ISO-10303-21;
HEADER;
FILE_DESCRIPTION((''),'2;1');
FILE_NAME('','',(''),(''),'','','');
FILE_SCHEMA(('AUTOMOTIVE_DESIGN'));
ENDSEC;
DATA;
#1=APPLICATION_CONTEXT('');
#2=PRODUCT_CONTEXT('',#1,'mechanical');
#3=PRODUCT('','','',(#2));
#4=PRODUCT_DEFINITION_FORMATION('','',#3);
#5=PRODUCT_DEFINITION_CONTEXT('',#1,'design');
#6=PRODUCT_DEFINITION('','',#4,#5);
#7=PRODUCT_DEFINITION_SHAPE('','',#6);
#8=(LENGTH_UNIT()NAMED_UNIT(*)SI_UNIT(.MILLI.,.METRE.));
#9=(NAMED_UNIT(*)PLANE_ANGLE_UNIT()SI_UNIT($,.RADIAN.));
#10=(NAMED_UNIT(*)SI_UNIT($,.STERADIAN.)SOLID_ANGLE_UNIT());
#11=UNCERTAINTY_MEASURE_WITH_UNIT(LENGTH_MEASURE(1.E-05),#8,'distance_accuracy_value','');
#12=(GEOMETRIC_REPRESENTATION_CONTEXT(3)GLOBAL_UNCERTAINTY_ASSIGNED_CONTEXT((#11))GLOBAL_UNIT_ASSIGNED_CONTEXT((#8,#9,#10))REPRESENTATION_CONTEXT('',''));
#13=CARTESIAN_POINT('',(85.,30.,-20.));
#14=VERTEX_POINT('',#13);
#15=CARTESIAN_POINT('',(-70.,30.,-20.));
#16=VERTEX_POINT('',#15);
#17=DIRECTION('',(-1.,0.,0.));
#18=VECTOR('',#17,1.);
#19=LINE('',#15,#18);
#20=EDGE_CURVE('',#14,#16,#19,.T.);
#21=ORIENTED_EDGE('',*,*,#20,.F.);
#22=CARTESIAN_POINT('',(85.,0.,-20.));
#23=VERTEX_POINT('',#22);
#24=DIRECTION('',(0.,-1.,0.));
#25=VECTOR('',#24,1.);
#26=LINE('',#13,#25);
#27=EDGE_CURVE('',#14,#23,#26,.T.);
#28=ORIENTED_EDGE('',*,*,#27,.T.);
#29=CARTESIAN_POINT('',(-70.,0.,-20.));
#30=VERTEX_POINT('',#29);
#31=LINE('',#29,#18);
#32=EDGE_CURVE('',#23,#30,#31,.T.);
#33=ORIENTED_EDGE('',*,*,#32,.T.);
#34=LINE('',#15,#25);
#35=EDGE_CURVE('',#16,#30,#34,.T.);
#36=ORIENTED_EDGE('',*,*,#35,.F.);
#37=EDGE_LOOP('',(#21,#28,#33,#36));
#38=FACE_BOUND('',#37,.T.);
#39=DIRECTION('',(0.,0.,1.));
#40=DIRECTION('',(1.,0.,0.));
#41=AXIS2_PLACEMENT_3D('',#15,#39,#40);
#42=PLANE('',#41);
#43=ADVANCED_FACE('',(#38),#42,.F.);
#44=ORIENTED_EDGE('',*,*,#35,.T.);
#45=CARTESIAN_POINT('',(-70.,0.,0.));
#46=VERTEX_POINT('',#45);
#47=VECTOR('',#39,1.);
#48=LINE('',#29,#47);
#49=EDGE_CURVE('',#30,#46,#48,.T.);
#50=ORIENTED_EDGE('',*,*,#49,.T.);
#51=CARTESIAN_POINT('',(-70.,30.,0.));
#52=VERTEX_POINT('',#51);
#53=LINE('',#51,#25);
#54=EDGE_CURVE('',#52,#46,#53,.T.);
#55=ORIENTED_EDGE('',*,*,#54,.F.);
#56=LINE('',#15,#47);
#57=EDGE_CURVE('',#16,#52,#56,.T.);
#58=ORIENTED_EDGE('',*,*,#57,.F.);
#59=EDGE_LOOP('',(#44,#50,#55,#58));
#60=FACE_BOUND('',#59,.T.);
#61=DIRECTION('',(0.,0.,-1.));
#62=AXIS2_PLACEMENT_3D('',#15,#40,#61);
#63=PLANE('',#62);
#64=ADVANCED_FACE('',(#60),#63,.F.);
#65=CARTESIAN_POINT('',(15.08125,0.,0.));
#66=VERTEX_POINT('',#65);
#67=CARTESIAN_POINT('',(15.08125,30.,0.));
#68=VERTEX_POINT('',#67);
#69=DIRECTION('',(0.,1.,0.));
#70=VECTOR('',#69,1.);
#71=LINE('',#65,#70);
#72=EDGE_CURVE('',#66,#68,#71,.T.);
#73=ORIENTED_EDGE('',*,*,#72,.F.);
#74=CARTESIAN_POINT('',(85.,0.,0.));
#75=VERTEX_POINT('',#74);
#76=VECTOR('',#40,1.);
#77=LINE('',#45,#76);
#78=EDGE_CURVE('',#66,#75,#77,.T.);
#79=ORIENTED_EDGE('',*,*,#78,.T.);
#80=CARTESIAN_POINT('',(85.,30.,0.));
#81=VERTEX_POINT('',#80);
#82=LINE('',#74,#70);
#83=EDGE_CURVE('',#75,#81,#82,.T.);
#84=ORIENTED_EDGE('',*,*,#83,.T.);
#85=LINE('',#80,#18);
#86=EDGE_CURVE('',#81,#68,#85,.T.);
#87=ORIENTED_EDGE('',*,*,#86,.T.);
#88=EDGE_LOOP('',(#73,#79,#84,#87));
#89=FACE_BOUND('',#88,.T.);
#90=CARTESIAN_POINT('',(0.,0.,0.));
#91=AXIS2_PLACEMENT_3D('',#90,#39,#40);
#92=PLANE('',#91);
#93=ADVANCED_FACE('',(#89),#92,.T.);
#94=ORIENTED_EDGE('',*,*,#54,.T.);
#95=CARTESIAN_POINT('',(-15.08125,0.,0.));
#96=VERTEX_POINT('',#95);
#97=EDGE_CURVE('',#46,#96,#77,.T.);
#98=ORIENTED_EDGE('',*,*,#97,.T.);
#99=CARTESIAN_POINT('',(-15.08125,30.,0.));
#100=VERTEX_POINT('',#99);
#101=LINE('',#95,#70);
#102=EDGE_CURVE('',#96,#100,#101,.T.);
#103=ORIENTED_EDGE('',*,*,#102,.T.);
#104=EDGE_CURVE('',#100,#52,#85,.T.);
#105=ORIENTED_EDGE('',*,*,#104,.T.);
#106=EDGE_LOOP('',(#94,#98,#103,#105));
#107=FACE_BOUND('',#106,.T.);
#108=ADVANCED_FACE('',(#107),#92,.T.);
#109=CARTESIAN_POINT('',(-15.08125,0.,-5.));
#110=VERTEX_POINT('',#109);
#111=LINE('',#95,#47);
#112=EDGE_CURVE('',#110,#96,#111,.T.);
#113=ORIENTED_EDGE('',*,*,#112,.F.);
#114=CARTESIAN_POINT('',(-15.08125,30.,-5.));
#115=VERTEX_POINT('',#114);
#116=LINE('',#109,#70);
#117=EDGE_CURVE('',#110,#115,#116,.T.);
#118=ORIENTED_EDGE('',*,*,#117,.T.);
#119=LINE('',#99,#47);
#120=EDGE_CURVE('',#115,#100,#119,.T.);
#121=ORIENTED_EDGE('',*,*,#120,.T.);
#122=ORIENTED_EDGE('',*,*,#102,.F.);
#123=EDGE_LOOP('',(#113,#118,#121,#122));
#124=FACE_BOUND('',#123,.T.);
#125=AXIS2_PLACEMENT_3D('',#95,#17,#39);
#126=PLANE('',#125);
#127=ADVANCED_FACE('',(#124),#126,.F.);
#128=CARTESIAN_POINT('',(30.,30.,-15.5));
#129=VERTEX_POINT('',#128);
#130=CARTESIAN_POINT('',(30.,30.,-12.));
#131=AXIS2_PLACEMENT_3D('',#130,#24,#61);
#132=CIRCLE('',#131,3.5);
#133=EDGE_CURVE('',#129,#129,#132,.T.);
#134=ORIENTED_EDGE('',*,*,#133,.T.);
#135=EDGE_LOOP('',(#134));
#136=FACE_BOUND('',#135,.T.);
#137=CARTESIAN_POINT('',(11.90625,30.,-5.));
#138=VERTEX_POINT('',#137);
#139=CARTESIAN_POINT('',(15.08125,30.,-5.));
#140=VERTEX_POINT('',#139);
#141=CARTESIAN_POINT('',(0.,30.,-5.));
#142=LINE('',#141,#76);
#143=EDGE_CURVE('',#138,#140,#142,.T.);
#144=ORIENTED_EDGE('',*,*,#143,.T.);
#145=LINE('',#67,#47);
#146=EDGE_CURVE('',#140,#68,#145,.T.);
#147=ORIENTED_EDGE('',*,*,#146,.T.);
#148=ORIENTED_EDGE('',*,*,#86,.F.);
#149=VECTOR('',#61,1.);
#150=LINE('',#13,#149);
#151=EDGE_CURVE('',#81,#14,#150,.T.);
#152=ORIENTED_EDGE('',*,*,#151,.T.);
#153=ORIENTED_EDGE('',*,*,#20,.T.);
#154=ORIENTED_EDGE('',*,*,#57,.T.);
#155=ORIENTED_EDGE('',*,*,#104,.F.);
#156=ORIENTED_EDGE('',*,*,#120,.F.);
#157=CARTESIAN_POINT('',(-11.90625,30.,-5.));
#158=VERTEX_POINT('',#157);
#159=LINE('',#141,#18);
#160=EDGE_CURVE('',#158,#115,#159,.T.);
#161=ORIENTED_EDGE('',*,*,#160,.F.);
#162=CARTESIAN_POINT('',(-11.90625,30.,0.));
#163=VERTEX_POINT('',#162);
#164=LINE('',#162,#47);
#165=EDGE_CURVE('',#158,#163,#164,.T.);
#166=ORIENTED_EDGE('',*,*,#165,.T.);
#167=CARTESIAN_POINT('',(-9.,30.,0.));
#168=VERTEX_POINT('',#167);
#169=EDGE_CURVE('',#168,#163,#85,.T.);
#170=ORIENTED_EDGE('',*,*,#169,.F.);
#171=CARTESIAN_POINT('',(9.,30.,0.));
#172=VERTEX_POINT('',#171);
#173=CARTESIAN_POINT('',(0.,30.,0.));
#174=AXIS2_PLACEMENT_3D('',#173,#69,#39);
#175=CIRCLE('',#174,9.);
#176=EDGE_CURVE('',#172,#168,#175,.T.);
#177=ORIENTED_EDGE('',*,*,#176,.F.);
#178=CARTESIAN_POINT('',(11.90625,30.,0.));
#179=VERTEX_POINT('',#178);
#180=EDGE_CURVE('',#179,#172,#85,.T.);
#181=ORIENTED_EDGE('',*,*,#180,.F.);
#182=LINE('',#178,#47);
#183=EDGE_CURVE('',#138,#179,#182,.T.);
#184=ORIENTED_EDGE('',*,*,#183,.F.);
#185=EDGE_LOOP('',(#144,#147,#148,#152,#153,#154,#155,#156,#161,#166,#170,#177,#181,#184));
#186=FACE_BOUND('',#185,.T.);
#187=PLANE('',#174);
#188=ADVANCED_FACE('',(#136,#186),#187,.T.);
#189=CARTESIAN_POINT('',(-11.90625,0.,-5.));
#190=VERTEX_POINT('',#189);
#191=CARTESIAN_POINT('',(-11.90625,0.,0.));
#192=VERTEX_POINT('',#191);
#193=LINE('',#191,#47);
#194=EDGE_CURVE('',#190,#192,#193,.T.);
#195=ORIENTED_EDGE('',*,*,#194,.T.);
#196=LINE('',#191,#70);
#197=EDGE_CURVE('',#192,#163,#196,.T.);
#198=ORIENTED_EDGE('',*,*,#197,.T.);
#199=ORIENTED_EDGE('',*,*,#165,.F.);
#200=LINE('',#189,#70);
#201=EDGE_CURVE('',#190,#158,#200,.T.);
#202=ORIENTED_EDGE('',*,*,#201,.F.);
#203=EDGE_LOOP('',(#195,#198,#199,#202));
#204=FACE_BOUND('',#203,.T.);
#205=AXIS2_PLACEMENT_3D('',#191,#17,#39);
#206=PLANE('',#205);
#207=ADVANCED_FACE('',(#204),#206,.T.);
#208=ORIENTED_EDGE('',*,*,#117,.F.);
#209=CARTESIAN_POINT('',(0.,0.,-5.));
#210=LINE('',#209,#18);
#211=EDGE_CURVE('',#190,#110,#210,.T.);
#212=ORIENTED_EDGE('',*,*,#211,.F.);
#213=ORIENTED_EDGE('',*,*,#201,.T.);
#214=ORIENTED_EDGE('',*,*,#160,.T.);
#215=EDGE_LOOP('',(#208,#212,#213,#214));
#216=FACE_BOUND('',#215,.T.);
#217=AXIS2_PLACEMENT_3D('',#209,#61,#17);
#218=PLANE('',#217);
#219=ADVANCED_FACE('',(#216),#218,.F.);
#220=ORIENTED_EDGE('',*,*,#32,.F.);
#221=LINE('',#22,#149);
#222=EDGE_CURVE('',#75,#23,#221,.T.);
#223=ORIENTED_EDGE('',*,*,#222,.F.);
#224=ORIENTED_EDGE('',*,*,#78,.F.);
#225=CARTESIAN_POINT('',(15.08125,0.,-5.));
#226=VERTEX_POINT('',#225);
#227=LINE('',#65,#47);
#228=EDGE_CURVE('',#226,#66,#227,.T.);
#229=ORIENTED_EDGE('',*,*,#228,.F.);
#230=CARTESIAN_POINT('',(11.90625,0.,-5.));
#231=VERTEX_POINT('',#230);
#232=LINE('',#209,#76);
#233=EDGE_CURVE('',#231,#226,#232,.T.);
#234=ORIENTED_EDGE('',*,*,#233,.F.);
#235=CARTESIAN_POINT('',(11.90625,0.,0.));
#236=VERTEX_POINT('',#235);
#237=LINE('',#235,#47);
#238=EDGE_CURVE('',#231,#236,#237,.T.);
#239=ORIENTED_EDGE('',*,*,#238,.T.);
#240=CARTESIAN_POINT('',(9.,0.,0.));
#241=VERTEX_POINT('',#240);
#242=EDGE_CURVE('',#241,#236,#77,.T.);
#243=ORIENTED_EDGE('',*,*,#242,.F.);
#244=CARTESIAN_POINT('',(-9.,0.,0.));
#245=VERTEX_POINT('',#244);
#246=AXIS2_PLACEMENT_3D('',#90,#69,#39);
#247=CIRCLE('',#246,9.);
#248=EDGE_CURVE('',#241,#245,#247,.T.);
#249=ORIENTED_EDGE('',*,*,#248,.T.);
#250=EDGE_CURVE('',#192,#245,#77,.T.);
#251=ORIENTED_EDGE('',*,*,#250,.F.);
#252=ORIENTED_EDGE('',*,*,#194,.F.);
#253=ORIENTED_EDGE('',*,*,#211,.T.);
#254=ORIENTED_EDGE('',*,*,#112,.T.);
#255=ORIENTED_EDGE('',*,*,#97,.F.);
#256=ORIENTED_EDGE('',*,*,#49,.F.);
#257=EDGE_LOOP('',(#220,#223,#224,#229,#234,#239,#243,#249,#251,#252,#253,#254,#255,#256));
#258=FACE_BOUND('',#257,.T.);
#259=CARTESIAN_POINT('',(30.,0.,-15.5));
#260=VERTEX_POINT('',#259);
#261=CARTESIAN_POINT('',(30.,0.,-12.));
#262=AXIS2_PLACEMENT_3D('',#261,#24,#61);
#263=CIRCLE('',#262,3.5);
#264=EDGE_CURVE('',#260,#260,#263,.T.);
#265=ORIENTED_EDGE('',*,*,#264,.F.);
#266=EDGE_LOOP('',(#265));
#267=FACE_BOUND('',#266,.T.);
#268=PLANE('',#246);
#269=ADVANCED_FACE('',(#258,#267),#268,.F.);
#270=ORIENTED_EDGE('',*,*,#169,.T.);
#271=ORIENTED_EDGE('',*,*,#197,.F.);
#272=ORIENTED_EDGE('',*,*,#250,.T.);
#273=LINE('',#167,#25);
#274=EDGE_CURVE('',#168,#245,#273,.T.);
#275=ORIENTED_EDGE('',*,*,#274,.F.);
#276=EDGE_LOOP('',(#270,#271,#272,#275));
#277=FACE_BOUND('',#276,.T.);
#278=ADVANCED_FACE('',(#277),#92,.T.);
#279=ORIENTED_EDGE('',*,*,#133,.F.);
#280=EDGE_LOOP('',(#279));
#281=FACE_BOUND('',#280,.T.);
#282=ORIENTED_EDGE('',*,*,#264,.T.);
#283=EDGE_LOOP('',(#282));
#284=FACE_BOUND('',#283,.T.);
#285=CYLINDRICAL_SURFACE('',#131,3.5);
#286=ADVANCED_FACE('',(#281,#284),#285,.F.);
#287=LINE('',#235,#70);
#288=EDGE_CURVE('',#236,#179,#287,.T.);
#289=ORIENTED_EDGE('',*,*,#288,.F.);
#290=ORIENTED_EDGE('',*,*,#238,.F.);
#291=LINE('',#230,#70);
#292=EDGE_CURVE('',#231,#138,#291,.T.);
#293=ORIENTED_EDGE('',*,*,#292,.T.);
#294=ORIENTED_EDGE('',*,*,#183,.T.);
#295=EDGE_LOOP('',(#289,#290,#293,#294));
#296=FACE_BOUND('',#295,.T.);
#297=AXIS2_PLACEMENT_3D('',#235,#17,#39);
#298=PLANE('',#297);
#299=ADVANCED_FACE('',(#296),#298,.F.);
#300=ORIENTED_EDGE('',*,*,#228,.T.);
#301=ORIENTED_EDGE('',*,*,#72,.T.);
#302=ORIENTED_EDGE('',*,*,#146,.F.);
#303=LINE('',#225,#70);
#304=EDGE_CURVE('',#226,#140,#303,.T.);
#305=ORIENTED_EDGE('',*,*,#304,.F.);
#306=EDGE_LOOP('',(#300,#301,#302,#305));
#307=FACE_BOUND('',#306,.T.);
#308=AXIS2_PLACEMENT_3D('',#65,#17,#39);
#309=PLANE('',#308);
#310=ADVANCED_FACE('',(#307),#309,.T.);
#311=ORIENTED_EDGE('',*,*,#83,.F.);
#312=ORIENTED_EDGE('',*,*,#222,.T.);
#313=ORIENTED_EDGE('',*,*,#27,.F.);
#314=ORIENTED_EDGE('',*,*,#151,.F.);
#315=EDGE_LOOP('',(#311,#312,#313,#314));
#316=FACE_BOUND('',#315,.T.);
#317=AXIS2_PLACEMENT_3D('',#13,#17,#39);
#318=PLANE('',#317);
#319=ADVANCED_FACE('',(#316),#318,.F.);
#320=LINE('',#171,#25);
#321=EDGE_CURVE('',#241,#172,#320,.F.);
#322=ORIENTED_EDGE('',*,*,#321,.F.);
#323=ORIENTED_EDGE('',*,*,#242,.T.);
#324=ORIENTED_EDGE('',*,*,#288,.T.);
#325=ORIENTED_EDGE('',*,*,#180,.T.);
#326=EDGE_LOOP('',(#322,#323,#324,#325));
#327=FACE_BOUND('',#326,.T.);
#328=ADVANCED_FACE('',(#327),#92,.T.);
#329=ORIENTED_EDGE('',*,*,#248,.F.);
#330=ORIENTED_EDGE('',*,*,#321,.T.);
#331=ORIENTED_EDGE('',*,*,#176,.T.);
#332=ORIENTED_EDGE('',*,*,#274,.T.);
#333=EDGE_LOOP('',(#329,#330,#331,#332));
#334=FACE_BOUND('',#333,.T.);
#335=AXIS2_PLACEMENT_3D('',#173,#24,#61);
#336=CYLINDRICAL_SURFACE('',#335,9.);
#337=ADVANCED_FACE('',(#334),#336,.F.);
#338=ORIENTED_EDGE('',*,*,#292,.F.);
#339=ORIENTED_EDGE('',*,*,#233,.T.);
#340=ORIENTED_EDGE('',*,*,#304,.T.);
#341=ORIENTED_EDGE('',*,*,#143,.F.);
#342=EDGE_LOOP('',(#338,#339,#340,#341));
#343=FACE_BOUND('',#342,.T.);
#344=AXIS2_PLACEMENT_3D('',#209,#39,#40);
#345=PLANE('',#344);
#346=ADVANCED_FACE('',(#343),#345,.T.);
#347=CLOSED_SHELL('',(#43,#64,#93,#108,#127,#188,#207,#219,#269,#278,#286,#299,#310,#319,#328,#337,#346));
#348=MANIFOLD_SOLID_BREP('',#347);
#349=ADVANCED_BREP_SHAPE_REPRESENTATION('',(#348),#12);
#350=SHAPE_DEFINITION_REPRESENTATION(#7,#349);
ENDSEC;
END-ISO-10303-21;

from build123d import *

# Parameters (mm, degrees)
SKETCH1_W           = 155
SKETCH1_H           = 40
SKETCH1_R           = 9
BOSS_EXTRUDE1_DEPTH = 30
SKETCH3_W           = 3.175
SKETCH3_H           = 10
CUT_EXTRUDE2_DEPTH  = 31
SKETCH2_W           = 155
SKETCH2_H           = 30
CUT_EXTRUDE1_DEPTH  = 21
SKETCH4_R           = 3.5
CUT_EXTRUDE3_DEPTH  = 31


with BuildPart() as part:
    # Sketch1 → Boss-Extrude1 (new body)
    with BuildSketch(Plane(origin=(0, 0, 0), x_dir=(1, 0, 0), z_dir=(0, 1, 0))):
        with Locations((7.5, 0)):
            Rectangle(SKETCH1_W, SKETCH1_H)
        Circle(SKETCH1_R, mode=Mode.SUBTRACT)
    extrude(amount=BOSS_EXTRUDE1_DEPTH)

    # Sketch3 → Cut-Extrude2 (cut, through all)
    with BuildSketch(Plane(origin=(0, 30, 0), x_dir=(1, 0, 0), z_dir=(0, 1, 0))):
        with Locations((-13.49375, 0)):
            Rectangle(SKETCH3_W, SKETCH3_H)
        with Locations((13.49375, 0)):
            Rectangle(SKETCH3_W, SKETCH3_H)
    extrude(amount=-CUT_EXTRUDE2_DEPTH, mode=Mode.SUBTRACT)

    # Sketch2 → Cut-Extrude1 (cut, through all)
    with BuildSketch(Plane.XY):
        with Locations((7.5, 15)):
            Rectangle(SKETCH2_W, SKETCH2_H)
    extrude(amount=CUT_EXTRUDE1_DEPTH, mode=Mode.SUBTRACT)

    # Sketch4 → Cut-Extrude3 (cut, through all)
    with BuildSketch(Plane.XZ):
        with Locations((30, -12)):
            Circle(SKETCH4_R)
    extrude(amount=-CUT_EXTRUDE3_DEPTH, mode=Mode.SUBTRACT)


solid = part.part
